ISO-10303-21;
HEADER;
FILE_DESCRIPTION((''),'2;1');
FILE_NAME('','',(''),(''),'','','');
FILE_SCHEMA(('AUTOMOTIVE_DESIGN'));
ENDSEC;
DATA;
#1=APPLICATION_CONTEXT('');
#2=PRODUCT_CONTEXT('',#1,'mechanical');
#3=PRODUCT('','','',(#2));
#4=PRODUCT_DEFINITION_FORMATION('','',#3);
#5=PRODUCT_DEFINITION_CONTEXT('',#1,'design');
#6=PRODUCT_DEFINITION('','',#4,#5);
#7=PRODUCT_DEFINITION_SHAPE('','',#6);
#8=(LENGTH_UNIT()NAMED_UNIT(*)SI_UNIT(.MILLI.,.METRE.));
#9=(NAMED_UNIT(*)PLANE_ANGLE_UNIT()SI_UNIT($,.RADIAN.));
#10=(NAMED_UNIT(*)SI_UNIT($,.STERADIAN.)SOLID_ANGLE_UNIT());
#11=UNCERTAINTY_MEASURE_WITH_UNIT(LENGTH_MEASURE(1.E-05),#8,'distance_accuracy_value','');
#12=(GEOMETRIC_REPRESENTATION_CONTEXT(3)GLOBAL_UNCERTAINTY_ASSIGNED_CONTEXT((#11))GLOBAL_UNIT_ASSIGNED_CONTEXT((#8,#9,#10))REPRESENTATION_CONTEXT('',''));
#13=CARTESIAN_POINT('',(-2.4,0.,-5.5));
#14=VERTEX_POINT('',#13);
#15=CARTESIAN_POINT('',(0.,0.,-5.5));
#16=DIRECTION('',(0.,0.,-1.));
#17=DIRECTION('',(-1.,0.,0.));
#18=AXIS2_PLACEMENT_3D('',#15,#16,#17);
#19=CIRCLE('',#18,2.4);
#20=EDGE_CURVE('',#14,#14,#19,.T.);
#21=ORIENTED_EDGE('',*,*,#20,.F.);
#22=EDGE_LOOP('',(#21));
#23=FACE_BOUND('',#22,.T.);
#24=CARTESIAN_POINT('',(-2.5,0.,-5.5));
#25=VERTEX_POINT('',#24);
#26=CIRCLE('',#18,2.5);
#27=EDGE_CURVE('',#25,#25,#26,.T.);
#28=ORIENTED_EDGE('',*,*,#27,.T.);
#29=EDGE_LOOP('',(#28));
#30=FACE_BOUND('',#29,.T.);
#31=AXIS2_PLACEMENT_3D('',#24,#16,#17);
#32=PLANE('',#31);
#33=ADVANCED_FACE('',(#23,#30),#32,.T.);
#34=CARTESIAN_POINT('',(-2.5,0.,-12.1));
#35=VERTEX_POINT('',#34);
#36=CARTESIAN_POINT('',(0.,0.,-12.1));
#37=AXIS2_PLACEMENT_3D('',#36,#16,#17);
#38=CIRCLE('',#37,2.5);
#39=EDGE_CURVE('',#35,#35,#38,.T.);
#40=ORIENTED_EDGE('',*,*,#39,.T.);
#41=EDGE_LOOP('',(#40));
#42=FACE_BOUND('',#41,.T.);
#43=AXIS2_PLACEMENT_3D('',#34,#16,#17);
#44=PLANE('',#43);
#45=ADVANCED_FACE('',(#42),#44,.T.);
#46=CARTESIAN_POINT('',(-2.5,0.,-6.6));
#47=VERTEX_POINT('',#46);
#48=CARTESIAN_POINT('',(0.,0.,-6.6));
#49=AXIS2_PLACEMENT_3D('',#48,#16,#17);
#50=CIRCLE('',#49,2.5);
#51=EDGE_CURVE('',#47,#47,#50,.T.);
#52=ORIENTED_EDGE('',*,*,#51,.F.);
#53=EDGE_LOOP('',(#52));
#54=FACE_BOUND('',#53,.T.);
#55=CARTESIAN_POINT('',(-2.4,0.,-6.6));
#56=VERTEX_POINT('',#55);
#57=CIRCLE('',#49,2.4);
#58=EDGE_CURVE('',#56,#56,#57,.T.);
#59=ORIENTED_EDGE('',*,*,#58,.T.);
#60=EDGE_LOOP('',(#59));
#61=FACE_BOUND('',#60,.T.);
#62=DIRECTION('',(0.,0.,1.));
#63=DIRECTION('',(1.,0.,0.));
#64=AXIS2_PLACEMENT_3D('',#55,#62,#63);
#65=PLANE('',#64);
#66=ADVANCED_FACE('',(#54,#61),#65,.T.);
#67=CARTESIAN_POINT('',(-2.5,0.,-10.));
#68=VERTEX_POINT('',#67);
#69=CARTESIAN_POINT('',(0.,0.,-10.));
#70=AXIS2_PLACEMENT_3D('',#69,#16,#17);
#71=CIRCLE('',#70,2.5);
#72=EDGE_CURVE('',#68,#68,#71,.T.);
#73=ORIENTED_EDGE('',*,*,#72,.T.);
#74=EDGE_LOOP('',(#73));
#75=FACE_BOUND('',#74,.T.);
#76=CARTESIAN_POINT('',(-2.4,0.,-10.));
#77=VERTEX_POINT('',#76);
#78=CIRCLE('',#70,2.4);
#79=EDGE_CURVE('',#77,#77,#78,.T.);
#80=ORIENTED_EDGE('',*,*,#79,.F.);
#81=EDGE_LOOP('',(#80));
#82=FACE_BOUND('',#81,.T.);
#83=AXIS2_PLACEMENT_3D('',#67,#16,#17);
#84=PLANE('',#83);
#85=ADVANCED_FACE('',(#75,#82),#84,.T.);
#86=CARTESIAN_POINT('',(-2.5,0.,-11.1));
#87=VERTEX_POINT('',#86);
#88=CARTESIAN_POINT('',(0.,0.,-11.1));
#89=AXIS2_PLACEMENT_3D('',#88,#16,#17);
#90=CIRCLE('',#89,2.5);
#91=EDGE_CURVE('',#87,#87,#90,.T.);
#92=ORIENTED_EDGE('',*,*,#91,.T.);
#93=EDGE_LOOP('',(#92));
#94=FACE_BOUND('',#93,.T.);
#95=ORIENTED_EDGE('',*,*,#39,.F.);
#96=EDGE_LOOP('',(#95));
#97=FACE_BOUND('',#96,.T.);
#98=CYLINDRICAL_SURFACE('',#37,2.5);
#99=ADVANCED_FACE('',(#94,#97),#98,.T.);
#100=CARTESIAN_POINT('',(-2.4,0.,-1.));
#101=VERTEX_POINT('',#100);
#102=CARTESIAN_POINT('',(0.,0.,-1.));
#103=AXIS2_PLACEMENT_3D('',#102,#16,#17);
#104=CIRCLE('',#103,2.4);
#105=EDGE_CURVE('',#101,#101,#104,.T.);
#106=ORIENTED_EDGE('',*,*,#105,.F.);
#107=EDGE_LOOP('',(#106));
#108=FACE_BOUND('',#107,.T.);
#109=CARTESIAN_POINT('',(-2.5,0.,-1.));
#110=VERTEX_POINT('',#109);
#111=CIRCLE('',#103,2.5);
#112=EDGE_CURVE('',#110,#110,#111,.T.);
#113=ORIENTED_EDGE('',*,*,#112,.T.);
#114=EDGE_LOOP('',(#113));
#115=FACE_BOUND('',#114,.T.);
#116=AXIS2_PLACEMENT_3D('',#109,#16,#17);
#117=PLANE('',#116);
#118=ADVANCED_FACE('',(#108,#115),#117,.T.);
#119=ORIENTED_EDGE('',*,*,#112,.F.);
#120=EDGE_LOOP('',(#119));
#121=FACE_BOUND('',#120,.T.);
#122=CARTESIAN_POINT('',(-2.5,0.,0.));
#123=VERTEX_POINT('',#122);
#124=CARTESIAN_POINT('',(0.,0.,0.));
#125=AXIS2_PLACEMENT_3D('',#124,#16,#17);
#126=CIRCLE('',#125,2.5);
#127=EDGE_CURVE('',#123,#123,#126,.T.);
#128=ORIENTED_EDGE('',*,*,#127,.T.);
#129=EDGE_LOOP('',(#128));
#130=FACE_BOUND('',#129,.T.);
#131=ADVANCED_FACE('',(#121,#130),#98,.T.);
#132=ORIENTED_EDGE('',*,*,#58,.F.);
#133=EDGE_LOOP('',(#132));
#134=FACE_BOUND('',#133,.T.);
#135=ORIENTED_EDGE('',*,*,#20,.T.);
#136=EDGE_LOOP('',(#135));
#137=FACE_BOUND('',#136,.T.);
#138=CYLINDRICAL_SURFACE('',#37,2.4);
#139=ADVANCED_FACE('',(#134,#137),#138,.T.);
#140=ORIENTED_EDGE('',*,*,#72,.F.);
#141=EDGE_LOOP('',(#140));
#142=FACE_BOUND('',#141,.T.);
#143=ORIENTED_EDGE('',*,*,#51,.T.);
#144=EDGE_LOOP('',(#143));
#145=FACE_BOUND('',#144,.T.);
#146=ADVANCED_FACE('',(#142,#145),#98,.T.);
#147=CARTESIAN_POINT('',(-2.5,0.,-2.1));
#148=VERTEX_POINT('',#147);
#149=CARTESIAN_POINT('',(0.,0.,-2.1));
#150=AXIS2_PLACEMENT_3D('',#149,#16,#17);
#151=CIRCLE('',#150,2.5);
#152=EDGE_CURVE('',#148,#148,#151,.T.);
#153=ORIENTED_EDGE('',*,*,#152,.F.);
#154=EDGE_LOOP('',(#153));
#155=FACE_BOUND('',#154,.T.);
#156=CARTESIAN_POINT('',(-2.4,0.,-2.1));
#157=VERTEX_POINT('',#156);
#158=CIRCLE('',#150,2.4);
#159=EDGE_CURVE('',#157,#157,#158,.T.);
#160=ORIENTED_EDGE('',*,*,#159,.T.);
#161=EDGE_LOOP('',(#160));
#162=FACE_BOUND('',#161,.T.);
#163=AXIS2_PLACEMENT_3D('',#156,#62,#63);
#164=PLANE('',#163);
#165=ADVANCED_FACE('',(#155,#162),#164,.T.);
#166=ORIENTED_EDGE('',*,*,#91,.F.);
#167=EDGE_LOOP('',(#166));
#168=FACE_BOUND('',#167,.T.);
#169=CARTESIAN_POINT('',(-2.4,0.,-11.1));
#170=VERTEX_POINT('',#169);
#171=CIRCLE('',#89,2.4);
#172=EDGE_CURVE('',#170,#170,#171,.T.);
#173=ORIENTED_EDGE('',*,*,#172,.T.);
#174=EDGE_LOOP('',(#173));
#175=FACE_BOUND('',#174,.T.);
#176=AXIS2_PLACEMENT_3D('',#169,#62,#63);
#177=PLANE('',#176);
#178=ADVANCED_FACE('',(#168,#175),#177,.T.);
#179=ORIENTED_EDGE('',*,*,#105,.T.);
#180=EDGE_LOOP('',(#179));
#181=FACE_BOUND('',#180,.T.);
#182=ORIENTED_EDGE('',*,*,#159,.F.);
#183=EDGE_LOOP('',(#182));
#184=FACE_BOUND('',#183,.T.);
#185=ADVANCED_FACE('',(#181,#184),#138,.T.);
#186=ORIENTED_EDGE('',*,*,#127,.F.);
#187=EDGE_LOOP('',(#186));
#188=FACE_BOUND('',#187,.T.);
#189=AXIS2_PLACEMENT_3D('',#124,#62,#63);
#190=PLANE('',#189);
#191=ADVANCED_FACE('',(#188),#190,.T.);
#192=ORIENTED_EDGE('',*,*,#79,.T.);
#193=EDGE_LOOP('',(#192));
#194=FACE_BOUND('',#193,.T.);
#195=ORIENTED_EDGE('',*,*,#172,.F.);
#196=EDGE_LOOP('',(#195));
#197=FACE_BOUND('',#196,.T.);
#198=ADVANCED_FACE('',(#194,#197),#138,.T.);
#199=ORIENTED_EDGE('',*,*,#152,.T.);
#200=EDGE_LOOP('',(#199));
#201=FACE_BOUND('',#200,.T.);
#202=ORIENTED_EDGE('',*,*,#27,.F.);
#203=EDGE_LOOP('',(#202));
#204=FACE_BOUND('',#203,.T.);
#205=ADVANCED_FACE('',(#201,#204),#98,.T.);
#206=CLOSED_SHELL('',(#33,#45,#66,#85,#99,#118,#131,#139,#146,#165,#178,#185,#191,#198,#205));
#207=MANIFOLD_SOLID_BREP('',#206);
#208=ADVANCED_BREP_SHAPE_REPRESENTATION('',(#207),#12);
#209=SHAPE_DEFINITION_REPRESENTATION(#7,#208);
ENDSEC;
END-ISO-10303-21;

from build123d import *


with BuildPart() as part:
    # Sketch1 → Revolve1 (revolve)
    with BuildSketch(Plane(origin=(0, 0, 0), x_dir=(1, 0, 0), z_dir=(0, 1, 0))):
        Polygon((0, 0), (-2.5, 0), (-2.5, 1), (-2.4, 1), (-2.4, 2.1), (-2.5, 2.1), (-2.5, 5.5), (-2.4, 5.5), (-2.4, 6.6), (-2.5, 6.6), (-2.5, 10), (-2.4, 10), (-2.4, 11.1), (-2.5, 11.1), (-2.5, 12.1), (0, 12.1), align=None)
    revolve(axis=Axis((0, 0, -12.1), (0, 0, 1)))


solid = part.part
